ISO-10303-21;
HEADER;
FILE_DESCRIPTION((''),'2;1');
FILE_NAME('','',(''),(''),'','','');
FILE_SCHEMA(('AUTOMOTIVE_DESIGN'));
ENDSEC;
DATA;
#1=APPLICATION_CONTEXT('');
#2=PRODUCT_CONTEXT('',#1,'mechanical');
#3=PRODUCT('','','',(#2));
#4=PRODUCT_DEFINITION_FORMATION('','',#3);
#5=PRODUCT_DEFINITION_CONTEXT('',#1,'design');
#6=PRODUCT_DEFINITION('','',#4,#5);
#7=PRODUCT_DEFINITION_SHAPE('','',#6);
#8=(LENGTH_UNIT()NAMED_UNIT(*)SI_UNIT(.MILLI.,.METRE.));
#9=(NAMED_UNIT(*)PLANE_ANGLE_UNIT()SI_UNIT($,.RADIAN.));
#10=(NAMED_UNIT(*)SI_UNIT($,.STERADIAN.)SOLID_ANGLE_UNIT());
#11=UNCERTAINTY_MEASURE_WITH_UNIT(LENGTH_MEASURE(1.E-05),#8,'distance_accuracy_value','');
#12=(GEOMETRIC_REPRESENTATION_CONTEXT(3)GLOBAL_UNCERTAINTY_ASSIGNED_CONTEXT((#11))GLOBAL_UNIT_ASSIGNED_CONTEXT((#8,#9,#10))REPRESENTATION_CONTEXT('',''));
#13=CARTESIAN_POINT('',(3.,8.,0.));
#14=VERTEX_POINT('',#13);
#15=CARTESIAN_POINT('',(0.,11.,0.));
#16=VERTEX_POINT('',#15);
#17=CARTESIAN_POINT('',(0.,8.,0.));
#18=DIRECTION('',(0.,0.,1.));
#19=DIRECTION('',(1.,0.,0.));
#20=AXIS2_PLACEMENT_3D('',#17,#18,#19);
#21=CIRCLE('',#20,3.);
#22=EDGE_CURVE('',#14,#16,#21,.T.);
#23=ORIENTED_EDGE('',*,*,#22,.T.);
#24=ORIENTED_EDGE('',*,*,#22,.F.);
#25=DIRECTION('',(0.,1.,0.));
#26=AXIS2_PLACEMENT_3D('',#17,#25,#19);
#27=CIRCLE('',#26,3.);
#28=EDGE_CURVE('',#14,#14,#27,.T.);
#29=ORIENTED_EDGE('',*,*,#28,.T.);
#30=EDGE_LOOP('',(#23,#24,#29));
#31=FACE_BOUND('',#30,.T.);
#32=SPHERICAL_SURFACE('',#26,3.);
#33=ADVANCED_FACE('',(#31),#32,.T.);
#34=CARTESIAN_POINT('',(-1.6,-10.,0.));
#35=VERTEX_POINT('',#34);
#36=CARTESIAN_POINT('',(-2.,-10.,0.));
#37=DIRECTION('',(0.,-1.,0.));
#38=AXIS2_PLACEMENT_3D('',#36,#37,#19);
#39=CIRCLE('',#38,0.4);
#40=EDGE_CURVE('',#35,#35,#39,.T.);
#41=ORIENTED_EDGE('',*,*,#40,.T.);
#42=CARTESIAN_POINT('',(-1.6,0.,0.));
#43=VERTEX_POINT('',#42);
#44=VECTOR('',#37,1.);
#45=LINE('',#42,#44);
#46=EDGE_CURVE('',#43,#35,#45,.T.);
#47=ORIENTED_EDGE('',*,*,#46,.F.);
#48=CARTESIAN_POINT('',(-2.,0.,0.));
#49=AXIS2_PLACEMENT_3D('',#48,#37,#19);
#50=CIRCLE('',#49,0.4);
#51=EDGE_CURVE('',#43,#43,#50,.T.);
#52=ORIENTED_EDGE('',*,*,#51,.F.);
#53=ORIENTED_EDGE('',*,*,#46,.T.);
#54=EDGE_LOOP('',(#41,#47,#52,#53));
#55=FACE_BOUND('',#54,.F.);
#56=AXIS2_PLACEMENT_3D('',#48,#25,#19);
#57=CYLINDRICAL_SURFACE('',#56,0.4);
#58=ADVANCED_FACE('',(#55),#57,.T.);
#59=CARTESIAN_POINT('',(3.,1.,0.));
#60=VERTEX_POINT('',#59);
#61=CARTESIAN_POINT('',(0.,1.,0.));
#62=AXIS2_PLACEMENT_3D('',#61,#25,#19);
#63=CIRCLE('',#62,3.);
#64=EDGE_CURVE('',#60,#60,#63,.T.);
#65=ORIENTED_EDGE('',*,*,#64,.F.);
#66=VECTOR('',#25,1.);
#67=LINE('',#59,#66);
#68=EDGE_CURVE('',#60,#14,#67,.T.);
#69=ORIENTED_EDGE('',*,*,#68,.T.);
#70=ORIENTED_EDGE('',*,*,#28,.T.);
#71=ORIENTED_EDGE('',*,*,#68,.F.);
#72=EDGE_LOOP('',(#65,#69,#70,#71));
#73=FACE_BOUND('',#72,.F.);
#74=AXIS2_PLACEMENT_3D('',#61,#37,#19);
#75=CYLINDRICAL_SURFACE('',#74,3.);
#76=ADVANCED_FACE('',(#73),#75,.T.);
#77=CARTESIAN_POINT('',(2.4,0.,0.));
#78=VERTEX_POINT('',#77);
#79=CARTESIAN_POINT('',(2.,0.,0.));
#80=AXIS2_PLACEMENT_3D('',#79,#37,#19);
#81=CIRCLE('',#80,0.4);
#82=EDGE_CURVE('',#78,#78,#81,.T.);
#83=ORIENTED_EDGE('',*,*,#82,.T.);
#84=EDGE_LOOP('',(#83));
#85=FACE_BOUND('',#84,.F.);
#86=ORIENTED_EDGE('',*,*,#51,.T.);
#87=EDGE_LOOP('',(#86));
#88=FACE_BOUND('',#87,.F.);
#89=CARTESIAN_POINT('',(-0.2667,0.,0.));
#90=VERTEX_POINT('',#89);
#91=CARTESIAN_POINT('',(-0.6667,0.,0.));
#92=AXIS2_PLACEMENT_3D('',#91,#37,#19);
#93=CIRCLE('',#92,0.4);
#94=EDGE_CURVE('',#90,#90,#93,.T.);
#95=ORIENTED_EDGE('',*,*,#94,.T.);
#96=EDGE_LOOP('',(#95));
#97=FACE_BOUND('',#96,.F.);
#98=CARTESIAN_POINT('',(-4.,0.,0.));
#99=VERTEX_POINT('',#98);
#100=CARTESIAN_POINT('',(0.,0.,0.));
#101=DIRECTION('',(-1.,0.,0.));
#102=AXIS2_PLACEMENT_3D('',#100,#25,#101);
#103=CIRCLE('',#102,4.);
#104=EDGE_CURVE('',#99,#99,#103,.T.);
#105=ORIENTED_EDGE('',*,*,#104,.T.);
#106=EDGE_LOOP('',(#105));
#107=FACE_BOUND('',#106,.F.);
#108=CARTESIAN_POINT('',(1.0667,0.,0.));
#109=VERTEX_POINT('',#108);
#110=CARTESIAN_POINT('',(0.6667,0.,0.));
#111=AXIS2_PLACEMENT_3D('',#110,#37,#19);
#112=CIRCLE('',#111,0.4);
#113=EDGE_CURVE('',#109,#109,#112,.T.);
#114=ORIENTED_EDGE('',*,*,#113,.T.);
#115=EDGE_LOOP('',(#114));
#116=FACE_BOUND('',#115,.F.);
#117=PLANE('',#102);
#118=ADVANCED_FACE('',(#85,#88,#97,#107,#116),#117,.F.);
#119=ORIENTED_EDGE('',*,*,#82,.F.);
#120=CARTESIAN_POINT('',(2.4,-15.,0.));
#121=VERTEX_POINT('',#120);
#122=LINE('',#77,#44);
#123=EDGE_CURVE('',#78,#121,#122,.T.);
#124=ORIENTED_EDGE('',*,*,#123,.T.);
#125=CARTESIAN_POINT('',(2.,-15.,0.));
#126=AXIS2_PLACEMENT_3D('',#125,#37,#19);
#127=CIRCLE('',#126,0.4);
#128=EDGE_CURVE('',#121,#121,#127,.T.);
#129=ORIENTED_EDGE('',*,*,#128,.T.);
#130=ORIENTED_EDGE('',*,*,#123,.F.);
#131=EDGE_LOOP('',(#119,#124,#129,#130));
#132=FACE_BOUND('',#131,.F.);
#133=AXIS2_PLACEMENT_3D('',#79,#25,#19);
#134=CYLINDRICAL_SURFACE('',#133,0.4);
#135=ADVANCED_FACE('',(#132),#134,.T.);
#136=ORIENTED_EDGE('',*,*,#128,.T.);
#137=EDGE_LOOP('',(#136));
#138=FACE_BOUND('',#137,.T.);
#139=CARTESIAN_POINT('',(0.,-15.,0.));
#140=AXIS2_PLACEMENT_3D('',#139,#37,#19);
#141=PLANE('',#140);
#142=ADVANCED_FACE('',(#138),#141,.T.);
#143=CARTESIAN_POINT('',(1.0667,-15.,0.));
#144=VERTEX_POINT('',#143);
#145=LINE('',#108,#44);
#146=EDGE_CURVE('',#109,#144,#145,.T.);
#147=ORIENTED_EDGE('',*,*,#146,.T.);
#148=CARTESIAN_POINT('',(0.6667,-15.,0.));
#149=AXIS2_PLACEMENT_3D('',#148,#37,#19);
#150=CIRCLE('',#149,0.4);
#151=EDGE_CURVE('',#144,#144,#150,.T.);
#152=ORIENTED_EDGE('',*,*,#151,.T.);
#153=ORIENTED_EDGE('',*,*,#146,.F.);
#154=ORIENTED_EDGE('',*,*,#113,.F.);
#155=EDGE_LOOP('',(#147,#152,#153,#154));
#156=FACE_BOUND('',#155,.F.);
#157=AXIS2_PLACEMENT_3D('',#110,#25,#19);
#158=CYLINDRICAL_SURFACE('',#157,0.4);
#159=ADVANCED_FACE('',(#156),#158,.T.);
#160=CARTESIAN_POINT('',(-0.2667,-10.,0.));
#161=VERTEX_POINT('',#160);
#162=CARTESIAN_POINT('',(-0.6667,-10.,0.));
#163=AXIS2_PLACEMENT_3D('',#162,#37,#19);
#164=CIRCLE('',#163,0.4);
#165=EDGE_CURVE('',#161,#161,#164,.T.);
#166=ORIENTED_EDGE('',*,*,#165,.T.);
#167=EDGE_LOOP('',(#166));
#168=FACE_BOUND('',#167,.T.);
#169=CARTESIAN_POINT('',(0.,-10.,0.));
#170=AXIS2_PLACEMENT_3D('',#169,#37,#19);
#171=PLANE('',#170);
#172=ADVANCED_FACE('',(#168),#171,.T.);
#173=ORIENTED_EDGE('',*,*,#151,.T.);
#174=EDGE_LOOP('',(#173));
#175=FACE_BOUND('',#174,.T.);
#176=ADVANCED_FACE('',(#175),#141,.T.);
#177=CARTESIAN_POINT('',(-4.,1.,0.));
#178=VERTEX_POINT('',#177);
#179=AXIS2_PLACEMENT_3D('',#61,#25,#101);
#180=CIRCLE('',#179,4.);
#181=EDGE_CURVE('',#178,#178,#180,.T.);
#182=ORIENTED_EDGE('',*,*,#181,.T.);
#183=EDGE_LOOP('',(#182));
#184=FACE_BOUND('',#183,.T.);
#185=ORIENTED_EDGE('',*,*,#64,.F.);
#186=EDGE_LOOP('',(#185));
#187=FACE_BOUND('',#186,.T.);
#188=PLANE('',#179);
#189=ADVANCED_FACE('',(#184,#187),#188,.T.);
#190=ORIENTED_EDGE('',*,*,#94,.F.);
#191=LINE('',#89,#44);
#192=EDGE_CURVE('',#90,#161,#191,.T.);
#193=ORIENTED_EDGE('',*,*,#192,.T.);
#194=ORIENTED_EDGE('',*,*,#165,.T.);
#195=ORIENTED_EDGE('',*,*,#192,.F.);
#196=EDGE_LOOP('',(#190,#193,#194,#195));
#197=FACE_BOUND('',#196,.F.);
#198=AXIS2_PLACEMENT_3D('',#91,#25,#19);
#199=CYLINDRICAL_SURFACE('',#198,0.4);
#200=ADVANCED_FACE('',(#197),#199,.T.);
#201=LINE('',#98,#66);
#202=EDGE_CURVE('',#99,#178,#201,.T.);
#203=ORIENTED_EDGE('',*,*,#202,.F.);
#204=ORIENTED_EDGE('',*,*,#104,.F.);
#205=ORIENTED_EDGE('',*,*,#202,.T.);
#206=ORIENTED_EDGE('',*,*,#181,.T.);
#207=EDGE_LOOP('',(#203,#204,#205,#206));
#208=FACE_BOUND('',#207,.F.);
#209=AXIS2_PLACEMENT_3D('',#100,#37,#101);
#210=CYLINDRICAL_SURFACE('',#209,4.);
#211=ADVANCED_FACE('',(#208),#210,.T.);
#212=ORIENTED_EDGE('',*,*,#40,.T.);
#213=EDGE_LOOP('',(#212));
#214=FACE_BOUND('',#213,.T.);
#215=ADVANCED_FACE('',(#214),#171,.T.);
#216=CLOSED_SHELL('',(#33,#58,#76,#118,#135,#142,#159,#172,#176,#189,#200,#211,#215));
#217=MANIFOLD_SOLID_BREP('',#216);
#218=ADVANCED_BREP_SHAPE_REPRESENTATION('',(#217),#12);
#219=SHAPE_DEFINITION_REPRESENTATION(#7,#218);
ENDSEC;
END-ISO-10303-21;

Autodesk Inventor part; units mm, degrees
ref_plane "YZ Plane" through (0, 0, 0) normal (1, 0, 0) x (0, 1, 0)
ref_plane "XZ Plane" through (0, 0, 0) normal (0, 1, 0) x (-1, 0, 0)
ref_plane "XY Plane" through (0, 0, 0) normal (0, 0, 1) x (1, 0, 0)
sketch "Sketch1" plane through (0, 0, 0) normal (0, 1, 0) x (-1, 0, 0)
  circle A0 centre (0, 0) radius 4
  dimension "d0" = 8
extrude "Extrusion1" add sketch "Sketch1" along normal blind 1
sketch "Sketch2" plane through (0, 1, 0) normal (0, 1, 0) x (1, 0, 0)
  circle A0 centre (0, 0) radius 3
  dimension "d3" = 6
extrude "Extrusion2" add sketch "Sketch2" along normal blind 10
fillet "Fillet1" radius 3 1 edges at (-3, 11, 0)
sketch "Sketch3" plane through (0, 0, 0) normal (0, -1, 0) x (1, 0, 0)
  circle A0 centre (-2, 0) radius 0.4
  circle A1 centre (-0.6667, 0) radius 0.4
  point P0 (0, 0)
  dimension "d7" = 0.8
  dimension "d8" = 0.6667
  dimension "d9" = 1.3333
extrude "Extrusion3" add sketch "Sketch3" along normal blind 10
sketch "Sketch4" plane through (0, 0, 0) normal (0, -1, 0) x (1, 0, 0)
  circle A0 centre (0.6667, 0) radius 0.4
  circle A1 centre (2, 0) radius 0.4
  point P0 (0, 0)
  dimension "d12" = 0.8
  dimension "d13" = 0.8
  dimension "d14" = 0.6667
  dimension "d15" = 1.3333
extrude "Extrusion4" add sketch "Sketch4" along normal blind 15
properties part number "8mm Through-Hole LED" material "Aluminum"
